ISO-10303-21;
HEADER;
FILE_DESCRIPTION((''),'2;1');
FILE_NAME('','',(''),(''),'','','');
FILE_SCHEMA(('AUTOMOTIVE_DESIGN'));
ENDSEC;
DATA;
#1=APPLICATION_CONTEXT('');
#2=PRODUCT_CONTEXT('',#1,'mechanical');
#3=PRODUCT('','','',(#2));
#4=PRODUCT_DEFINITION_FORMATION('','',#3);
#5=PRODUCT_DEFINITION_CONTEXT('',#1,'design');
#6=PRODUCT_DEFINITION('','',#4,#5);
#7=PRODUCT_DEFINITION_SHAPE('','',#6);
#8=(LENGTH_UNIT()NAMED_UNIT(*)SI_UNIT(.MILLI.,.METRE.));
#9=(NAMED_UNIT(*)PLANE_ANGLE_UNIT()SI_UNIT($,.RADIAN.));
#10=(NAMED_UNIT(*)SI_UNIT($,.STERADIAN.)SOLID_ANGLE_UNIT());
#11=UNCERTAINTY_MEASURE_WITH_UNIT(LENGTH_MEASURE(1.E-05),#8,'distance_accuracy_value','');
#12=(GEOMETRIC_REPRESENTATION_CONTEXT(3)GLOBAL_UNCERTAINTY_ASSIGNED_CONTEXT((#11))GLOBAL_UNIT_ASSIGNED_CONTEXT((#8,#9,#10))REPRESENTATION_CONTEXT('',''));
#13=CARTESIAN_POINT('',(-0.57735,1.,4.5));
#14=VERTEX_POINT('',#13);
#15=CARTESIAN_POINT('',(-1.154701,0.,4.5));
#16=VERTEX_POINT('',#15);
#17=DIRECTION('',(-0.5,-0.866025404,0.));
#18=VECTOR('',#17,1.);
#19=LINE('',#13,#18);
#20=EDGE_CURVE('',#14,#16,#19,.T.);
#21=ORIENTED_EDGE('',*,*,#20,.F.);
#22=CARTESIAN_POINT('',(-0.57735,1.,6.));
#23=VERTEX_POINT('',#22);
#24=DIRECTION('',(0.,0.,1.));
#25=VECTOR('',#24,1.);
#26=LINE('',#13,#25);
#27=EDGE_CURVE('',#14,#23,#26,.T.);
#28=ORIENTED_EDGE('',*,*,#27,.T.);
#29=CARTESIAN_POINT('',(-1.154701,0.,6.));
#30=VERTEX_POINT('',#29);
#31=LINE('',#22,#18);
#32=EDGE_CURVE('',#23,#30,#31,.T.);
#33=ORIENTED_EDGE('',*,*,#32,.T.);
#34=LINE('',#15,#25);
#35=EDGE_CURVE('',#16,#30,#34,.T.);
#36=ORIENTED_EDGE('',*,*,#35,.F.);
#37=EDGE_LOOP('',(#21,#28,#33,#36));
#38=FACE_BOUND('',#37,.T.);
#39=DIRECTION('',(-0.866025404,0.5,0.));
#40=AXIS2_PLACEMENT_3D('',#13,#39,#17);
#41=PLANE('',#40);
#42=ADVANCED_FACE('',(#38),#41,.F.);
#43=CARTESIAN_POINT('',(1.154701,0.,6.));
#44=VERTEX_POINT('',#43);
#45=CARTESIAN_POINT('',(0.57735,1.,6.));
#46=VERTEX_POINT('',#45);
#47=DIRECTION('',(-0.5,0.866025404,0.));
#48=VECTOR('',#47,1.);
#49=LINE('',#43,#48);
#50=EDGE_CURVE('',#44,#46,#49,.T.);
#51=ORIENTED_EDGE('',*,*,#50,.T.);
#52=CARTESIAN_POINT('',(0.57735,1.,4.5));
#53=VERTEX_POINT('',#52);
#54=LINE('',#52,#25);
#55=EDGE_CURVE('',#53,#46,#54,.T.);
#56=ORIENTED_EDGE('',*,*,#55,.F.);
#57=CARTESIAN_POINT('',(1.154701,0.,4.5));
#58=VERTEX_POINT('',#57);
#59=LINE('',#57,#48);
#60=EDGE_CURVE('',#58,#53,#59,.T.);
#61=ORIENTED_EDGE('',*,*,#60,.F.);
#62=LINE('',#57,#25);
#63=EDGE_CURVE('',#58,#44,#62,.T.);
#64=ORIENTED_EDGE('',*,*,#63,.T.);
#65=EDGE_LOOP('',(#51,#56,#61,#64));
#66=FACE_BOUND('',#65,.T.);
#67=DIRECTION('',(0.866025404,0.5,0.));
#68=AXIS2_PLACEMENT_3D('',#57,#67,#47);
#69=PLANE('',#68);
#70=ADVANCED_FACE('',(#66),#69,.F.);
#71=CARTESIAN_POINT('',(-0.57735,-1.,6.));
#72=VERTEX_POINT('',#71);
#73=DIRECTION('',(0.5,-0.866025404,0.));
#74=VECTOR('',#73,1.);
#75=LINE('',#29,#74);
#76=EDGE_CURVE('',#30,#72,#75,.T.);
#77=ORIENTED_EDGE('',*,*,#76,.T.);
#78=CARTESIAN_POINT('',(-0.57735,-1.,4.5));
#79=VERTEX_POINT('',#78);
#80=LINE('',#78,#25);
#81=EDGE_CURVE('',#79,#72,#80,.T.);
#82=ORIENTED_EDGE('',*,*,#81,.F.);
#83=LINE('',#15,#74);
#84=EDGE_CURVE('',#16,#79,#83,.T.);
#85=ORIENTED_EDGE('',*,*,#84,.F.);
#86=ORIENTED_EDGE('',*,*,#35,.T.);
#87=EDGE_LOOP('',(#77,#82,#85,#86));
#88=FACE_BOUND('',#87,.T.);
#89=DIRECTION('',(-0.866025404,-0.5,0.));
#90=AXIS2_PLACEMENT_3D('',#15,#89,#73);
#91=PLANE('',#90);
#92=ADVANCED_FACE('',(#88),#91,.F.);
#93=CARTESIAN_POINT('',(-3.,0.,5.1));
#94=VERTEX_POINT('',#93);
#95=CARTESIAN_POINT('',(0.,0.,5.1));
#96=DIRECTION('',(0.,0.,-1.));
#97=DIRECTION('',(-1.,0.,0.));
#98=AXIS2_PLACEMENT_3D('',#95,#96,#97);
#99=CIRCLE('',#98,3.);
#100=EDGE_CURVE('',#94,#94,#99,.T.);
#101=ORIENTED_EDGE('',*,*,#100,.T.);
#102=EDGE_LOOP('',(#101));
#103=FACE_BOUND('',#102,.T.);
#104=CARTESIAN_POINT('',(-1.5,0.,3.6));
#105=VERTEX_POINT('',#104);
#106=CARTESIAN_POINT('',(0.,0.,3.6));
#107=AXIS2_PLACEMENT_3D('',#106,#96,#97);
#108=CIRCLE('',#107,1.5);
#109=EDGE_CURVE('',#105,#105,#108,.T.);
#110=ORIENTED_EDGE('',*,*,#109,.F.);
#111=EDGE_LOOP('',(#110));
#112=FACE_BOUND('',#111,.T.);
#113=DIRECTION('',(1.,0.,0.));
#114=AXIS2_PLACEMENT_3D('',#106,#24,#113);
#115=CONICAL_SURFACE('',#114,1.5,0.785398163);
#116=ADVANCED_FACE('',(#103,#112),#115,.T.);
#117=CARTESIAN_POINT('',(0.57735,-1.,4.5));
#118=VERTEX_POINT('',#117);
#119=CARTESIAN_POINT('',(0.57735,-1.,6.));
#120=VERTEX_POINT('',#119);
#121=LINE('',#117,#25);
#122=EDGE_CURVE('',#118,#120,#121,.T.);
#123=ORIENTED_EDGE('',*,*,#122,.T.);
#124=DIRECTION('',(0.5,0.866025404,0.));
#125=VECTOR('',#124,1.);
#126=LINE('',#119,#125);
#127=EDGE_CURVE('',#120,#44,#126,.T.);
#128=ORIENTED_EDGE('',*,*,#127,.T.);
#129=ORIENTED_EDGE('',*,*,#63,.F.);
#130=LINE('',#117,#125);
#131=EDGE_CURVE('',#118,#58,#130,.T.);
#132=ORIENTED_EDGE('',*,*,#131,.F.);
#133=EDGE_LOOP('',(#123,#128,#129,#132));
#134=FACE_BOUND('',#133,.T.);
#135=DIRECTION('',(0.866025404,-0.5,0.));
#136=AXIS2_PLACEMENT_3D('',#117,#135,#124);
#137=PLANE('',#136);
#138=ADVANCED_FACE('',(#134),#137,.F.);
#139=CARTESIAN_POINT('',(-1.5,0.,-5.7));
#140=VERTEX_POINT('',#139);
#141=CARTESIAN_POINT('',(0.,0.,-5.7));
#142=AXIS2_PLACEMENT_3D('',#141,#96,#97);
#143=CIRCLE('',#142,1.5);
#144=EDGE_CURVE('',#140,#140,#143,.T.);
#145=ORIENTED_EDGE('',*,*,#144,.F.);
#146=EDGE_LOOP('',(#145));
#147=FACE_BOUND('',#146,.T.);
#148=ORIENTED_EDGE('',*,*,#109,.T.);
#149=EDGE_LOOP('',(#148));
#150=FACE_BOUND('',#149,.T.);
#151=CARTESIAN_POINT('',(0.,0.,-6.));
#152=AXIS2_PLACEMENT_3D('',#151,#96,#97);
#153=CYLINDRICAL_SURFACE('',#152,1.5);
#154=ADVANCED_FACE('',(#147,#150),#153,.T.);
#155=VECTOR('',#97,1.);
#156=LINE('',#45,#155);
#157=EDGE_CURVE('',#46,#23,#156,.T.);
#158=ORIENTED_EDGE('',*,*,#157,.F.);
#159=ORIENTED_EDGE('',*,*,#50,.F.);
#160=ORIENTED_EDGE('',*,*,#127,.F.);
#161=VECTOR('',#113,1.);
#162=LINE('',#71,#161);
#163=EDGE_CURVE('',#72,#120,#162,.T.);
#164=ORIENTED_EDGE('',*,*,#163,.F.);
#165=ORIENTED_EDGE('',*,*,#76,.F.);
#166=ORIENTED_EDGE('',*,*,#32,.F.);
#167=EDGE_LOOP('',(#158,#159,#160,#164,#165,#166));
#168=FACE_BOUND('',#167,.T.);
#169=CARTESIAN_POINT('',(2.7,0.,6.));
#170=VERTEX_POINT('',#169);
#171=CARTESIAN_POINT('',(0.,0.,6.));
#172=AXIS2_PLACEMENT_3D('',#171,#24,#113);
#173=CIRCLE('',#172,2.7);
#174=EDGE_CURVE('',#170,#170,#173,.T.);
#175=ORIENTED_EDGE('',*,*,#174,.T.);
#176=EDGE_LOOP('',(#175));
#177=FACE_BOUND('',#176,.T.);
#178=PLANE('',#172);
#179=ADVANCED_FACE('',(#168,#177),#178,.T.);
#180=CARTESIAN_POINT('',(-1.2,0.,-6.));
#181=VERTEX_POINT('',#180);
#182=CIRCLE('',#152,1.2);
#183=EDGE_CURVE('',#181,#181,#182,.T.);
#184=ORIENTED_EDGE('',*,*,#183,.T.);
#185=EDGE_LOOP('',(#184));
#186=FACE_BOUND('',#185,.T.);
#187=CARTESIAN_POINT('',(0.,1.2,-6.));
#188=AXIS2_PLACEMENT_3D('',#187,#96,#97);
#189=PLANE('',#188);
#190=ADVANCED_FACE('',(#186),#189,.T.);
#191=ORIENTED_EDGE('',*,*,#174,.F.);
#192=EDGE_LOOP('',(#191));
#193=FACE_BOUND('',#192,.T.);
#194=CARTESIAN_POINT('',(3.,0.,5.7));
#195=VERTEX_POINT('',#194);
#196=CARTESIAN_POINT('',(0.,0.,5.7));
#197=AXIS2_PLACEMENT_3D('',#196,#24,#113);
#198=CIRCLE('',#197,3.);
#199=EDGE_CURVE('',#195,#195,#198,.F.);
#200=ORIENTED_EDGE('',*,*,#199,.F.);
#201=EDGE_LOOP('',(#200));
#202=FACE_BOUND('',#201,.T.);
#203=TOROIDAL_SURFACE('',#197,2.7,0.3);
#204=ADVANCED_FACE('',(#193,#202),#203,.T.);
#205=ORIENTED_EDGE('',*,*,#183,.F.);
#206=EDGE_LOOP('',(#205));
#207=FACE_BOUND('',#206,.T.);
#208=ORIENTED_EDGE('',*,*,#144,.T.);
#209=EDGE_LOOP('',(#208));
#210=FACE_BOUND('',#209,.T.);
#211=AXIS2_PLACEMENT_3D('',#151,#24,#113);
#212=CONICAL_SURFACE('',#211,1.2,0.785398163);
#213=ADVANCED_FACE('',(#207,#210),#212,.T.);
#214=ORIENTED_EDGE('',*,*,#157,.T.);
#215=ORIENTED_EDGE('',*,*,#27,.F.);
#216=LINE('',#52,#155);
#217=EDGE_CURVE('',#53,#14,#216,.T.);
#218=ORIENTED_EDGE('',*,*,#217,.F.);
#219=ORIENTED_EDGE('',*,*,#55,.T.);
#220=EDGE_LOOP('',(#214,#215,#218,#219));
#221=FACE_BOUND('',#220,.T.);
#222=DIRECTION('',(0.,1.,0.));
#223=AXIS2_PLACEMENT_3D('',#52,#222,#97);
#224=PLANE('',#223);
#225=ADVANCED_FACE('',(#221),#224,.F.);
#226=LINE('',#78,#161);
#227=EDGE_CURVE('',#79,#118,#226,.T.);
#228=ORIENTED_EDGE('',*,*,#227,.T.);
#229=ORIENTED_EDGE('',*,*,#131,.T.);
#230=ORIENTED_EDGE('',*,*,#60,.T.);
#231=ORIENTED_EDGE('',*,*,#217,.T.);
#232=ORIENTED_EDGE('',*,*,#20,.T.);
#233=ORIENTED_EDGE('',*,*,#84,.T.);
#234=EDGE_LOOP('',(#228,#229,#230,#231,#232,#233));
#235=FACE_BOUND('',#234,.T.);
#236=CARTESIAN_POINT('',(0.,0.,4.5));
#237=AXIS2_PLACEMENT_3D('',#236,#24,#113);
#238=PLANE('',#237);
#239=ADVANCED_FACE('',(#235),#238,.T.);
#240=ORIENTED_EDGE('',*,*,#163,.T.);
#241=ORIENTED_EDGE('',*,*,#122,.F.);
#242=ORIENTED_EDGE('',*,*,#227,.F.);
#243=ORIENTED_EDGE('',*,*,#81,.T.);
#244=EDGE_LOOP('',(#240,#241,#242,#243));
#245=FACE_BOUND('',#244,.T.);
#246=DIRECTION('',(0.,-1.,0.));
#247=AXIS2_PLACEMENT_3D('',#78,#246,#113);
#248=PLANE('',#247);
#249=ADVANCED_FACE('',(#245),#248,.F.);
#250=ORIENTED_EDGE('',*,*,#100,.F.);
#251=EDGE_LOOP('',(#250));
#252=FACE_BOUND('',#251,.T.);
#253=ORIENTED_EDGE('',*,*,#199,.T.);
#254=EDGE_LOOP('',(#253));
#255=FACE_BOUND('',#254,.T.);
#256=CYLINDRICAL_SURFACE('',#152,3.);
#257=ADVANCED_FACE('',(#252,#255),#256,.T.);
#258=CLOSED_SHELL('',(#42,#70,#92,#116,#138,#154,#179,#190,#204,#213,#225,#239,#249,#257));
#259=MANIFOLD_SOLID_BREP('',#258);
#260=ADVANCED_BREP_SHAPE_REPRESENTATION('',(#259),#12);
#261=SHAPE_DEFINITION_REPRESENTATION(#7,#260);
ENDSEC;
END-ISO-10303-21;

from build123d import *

# Parameters (mm, degrees)
CUT_EXTRUDE_1_DEPTH = 1.5
FILLET_1_R          = 0.3


with BuildPart() as part:
    # 草图1 → 旋转1 (revolve)
    with BuildSketch(Plane(origin=(0, 0, 0), x_dir=(0, 0, -1), z_dir=(1, 0, 0)), mode=Mode.PRIVATE) as revolve_1_sk:
        Polygon((-6, 0), (-6, 3), (-5.1, 3), (-3.6, 1.5), (5.7, 1.5), (6, 1.2), (6, 0), align=None)
    revolve(revolve_1_sk.sketch.rotate(Axis((0, 0, -6), (0, 0, 1)), 90), axis=Axis((0, 0, -6), (0, 0, 1)))

    # 草图2 → 切除-拉伸1 (cut)
    with BuildSketch(Plane.XY.offset(6)):
        Polygon((1.154700538, 0), (0.577350269, 1), (-0.577350269, 1), (-1.154700538, 0), (-0.577350269, -1), (0.577350269, -1), align=None)
    extrude(amount=-CUT_EXTRUDE_1_DEPTH, mode=Mode.SUBTRACT)

    # 圆角1
    fillet_1_edges = [part.edges().sort_by_distance(p)[0] for p in [
        (3, 0, 6),
    ]]
    fillet(fillet_1_edges, radius=FILLET_1_R)


solid = part.part
